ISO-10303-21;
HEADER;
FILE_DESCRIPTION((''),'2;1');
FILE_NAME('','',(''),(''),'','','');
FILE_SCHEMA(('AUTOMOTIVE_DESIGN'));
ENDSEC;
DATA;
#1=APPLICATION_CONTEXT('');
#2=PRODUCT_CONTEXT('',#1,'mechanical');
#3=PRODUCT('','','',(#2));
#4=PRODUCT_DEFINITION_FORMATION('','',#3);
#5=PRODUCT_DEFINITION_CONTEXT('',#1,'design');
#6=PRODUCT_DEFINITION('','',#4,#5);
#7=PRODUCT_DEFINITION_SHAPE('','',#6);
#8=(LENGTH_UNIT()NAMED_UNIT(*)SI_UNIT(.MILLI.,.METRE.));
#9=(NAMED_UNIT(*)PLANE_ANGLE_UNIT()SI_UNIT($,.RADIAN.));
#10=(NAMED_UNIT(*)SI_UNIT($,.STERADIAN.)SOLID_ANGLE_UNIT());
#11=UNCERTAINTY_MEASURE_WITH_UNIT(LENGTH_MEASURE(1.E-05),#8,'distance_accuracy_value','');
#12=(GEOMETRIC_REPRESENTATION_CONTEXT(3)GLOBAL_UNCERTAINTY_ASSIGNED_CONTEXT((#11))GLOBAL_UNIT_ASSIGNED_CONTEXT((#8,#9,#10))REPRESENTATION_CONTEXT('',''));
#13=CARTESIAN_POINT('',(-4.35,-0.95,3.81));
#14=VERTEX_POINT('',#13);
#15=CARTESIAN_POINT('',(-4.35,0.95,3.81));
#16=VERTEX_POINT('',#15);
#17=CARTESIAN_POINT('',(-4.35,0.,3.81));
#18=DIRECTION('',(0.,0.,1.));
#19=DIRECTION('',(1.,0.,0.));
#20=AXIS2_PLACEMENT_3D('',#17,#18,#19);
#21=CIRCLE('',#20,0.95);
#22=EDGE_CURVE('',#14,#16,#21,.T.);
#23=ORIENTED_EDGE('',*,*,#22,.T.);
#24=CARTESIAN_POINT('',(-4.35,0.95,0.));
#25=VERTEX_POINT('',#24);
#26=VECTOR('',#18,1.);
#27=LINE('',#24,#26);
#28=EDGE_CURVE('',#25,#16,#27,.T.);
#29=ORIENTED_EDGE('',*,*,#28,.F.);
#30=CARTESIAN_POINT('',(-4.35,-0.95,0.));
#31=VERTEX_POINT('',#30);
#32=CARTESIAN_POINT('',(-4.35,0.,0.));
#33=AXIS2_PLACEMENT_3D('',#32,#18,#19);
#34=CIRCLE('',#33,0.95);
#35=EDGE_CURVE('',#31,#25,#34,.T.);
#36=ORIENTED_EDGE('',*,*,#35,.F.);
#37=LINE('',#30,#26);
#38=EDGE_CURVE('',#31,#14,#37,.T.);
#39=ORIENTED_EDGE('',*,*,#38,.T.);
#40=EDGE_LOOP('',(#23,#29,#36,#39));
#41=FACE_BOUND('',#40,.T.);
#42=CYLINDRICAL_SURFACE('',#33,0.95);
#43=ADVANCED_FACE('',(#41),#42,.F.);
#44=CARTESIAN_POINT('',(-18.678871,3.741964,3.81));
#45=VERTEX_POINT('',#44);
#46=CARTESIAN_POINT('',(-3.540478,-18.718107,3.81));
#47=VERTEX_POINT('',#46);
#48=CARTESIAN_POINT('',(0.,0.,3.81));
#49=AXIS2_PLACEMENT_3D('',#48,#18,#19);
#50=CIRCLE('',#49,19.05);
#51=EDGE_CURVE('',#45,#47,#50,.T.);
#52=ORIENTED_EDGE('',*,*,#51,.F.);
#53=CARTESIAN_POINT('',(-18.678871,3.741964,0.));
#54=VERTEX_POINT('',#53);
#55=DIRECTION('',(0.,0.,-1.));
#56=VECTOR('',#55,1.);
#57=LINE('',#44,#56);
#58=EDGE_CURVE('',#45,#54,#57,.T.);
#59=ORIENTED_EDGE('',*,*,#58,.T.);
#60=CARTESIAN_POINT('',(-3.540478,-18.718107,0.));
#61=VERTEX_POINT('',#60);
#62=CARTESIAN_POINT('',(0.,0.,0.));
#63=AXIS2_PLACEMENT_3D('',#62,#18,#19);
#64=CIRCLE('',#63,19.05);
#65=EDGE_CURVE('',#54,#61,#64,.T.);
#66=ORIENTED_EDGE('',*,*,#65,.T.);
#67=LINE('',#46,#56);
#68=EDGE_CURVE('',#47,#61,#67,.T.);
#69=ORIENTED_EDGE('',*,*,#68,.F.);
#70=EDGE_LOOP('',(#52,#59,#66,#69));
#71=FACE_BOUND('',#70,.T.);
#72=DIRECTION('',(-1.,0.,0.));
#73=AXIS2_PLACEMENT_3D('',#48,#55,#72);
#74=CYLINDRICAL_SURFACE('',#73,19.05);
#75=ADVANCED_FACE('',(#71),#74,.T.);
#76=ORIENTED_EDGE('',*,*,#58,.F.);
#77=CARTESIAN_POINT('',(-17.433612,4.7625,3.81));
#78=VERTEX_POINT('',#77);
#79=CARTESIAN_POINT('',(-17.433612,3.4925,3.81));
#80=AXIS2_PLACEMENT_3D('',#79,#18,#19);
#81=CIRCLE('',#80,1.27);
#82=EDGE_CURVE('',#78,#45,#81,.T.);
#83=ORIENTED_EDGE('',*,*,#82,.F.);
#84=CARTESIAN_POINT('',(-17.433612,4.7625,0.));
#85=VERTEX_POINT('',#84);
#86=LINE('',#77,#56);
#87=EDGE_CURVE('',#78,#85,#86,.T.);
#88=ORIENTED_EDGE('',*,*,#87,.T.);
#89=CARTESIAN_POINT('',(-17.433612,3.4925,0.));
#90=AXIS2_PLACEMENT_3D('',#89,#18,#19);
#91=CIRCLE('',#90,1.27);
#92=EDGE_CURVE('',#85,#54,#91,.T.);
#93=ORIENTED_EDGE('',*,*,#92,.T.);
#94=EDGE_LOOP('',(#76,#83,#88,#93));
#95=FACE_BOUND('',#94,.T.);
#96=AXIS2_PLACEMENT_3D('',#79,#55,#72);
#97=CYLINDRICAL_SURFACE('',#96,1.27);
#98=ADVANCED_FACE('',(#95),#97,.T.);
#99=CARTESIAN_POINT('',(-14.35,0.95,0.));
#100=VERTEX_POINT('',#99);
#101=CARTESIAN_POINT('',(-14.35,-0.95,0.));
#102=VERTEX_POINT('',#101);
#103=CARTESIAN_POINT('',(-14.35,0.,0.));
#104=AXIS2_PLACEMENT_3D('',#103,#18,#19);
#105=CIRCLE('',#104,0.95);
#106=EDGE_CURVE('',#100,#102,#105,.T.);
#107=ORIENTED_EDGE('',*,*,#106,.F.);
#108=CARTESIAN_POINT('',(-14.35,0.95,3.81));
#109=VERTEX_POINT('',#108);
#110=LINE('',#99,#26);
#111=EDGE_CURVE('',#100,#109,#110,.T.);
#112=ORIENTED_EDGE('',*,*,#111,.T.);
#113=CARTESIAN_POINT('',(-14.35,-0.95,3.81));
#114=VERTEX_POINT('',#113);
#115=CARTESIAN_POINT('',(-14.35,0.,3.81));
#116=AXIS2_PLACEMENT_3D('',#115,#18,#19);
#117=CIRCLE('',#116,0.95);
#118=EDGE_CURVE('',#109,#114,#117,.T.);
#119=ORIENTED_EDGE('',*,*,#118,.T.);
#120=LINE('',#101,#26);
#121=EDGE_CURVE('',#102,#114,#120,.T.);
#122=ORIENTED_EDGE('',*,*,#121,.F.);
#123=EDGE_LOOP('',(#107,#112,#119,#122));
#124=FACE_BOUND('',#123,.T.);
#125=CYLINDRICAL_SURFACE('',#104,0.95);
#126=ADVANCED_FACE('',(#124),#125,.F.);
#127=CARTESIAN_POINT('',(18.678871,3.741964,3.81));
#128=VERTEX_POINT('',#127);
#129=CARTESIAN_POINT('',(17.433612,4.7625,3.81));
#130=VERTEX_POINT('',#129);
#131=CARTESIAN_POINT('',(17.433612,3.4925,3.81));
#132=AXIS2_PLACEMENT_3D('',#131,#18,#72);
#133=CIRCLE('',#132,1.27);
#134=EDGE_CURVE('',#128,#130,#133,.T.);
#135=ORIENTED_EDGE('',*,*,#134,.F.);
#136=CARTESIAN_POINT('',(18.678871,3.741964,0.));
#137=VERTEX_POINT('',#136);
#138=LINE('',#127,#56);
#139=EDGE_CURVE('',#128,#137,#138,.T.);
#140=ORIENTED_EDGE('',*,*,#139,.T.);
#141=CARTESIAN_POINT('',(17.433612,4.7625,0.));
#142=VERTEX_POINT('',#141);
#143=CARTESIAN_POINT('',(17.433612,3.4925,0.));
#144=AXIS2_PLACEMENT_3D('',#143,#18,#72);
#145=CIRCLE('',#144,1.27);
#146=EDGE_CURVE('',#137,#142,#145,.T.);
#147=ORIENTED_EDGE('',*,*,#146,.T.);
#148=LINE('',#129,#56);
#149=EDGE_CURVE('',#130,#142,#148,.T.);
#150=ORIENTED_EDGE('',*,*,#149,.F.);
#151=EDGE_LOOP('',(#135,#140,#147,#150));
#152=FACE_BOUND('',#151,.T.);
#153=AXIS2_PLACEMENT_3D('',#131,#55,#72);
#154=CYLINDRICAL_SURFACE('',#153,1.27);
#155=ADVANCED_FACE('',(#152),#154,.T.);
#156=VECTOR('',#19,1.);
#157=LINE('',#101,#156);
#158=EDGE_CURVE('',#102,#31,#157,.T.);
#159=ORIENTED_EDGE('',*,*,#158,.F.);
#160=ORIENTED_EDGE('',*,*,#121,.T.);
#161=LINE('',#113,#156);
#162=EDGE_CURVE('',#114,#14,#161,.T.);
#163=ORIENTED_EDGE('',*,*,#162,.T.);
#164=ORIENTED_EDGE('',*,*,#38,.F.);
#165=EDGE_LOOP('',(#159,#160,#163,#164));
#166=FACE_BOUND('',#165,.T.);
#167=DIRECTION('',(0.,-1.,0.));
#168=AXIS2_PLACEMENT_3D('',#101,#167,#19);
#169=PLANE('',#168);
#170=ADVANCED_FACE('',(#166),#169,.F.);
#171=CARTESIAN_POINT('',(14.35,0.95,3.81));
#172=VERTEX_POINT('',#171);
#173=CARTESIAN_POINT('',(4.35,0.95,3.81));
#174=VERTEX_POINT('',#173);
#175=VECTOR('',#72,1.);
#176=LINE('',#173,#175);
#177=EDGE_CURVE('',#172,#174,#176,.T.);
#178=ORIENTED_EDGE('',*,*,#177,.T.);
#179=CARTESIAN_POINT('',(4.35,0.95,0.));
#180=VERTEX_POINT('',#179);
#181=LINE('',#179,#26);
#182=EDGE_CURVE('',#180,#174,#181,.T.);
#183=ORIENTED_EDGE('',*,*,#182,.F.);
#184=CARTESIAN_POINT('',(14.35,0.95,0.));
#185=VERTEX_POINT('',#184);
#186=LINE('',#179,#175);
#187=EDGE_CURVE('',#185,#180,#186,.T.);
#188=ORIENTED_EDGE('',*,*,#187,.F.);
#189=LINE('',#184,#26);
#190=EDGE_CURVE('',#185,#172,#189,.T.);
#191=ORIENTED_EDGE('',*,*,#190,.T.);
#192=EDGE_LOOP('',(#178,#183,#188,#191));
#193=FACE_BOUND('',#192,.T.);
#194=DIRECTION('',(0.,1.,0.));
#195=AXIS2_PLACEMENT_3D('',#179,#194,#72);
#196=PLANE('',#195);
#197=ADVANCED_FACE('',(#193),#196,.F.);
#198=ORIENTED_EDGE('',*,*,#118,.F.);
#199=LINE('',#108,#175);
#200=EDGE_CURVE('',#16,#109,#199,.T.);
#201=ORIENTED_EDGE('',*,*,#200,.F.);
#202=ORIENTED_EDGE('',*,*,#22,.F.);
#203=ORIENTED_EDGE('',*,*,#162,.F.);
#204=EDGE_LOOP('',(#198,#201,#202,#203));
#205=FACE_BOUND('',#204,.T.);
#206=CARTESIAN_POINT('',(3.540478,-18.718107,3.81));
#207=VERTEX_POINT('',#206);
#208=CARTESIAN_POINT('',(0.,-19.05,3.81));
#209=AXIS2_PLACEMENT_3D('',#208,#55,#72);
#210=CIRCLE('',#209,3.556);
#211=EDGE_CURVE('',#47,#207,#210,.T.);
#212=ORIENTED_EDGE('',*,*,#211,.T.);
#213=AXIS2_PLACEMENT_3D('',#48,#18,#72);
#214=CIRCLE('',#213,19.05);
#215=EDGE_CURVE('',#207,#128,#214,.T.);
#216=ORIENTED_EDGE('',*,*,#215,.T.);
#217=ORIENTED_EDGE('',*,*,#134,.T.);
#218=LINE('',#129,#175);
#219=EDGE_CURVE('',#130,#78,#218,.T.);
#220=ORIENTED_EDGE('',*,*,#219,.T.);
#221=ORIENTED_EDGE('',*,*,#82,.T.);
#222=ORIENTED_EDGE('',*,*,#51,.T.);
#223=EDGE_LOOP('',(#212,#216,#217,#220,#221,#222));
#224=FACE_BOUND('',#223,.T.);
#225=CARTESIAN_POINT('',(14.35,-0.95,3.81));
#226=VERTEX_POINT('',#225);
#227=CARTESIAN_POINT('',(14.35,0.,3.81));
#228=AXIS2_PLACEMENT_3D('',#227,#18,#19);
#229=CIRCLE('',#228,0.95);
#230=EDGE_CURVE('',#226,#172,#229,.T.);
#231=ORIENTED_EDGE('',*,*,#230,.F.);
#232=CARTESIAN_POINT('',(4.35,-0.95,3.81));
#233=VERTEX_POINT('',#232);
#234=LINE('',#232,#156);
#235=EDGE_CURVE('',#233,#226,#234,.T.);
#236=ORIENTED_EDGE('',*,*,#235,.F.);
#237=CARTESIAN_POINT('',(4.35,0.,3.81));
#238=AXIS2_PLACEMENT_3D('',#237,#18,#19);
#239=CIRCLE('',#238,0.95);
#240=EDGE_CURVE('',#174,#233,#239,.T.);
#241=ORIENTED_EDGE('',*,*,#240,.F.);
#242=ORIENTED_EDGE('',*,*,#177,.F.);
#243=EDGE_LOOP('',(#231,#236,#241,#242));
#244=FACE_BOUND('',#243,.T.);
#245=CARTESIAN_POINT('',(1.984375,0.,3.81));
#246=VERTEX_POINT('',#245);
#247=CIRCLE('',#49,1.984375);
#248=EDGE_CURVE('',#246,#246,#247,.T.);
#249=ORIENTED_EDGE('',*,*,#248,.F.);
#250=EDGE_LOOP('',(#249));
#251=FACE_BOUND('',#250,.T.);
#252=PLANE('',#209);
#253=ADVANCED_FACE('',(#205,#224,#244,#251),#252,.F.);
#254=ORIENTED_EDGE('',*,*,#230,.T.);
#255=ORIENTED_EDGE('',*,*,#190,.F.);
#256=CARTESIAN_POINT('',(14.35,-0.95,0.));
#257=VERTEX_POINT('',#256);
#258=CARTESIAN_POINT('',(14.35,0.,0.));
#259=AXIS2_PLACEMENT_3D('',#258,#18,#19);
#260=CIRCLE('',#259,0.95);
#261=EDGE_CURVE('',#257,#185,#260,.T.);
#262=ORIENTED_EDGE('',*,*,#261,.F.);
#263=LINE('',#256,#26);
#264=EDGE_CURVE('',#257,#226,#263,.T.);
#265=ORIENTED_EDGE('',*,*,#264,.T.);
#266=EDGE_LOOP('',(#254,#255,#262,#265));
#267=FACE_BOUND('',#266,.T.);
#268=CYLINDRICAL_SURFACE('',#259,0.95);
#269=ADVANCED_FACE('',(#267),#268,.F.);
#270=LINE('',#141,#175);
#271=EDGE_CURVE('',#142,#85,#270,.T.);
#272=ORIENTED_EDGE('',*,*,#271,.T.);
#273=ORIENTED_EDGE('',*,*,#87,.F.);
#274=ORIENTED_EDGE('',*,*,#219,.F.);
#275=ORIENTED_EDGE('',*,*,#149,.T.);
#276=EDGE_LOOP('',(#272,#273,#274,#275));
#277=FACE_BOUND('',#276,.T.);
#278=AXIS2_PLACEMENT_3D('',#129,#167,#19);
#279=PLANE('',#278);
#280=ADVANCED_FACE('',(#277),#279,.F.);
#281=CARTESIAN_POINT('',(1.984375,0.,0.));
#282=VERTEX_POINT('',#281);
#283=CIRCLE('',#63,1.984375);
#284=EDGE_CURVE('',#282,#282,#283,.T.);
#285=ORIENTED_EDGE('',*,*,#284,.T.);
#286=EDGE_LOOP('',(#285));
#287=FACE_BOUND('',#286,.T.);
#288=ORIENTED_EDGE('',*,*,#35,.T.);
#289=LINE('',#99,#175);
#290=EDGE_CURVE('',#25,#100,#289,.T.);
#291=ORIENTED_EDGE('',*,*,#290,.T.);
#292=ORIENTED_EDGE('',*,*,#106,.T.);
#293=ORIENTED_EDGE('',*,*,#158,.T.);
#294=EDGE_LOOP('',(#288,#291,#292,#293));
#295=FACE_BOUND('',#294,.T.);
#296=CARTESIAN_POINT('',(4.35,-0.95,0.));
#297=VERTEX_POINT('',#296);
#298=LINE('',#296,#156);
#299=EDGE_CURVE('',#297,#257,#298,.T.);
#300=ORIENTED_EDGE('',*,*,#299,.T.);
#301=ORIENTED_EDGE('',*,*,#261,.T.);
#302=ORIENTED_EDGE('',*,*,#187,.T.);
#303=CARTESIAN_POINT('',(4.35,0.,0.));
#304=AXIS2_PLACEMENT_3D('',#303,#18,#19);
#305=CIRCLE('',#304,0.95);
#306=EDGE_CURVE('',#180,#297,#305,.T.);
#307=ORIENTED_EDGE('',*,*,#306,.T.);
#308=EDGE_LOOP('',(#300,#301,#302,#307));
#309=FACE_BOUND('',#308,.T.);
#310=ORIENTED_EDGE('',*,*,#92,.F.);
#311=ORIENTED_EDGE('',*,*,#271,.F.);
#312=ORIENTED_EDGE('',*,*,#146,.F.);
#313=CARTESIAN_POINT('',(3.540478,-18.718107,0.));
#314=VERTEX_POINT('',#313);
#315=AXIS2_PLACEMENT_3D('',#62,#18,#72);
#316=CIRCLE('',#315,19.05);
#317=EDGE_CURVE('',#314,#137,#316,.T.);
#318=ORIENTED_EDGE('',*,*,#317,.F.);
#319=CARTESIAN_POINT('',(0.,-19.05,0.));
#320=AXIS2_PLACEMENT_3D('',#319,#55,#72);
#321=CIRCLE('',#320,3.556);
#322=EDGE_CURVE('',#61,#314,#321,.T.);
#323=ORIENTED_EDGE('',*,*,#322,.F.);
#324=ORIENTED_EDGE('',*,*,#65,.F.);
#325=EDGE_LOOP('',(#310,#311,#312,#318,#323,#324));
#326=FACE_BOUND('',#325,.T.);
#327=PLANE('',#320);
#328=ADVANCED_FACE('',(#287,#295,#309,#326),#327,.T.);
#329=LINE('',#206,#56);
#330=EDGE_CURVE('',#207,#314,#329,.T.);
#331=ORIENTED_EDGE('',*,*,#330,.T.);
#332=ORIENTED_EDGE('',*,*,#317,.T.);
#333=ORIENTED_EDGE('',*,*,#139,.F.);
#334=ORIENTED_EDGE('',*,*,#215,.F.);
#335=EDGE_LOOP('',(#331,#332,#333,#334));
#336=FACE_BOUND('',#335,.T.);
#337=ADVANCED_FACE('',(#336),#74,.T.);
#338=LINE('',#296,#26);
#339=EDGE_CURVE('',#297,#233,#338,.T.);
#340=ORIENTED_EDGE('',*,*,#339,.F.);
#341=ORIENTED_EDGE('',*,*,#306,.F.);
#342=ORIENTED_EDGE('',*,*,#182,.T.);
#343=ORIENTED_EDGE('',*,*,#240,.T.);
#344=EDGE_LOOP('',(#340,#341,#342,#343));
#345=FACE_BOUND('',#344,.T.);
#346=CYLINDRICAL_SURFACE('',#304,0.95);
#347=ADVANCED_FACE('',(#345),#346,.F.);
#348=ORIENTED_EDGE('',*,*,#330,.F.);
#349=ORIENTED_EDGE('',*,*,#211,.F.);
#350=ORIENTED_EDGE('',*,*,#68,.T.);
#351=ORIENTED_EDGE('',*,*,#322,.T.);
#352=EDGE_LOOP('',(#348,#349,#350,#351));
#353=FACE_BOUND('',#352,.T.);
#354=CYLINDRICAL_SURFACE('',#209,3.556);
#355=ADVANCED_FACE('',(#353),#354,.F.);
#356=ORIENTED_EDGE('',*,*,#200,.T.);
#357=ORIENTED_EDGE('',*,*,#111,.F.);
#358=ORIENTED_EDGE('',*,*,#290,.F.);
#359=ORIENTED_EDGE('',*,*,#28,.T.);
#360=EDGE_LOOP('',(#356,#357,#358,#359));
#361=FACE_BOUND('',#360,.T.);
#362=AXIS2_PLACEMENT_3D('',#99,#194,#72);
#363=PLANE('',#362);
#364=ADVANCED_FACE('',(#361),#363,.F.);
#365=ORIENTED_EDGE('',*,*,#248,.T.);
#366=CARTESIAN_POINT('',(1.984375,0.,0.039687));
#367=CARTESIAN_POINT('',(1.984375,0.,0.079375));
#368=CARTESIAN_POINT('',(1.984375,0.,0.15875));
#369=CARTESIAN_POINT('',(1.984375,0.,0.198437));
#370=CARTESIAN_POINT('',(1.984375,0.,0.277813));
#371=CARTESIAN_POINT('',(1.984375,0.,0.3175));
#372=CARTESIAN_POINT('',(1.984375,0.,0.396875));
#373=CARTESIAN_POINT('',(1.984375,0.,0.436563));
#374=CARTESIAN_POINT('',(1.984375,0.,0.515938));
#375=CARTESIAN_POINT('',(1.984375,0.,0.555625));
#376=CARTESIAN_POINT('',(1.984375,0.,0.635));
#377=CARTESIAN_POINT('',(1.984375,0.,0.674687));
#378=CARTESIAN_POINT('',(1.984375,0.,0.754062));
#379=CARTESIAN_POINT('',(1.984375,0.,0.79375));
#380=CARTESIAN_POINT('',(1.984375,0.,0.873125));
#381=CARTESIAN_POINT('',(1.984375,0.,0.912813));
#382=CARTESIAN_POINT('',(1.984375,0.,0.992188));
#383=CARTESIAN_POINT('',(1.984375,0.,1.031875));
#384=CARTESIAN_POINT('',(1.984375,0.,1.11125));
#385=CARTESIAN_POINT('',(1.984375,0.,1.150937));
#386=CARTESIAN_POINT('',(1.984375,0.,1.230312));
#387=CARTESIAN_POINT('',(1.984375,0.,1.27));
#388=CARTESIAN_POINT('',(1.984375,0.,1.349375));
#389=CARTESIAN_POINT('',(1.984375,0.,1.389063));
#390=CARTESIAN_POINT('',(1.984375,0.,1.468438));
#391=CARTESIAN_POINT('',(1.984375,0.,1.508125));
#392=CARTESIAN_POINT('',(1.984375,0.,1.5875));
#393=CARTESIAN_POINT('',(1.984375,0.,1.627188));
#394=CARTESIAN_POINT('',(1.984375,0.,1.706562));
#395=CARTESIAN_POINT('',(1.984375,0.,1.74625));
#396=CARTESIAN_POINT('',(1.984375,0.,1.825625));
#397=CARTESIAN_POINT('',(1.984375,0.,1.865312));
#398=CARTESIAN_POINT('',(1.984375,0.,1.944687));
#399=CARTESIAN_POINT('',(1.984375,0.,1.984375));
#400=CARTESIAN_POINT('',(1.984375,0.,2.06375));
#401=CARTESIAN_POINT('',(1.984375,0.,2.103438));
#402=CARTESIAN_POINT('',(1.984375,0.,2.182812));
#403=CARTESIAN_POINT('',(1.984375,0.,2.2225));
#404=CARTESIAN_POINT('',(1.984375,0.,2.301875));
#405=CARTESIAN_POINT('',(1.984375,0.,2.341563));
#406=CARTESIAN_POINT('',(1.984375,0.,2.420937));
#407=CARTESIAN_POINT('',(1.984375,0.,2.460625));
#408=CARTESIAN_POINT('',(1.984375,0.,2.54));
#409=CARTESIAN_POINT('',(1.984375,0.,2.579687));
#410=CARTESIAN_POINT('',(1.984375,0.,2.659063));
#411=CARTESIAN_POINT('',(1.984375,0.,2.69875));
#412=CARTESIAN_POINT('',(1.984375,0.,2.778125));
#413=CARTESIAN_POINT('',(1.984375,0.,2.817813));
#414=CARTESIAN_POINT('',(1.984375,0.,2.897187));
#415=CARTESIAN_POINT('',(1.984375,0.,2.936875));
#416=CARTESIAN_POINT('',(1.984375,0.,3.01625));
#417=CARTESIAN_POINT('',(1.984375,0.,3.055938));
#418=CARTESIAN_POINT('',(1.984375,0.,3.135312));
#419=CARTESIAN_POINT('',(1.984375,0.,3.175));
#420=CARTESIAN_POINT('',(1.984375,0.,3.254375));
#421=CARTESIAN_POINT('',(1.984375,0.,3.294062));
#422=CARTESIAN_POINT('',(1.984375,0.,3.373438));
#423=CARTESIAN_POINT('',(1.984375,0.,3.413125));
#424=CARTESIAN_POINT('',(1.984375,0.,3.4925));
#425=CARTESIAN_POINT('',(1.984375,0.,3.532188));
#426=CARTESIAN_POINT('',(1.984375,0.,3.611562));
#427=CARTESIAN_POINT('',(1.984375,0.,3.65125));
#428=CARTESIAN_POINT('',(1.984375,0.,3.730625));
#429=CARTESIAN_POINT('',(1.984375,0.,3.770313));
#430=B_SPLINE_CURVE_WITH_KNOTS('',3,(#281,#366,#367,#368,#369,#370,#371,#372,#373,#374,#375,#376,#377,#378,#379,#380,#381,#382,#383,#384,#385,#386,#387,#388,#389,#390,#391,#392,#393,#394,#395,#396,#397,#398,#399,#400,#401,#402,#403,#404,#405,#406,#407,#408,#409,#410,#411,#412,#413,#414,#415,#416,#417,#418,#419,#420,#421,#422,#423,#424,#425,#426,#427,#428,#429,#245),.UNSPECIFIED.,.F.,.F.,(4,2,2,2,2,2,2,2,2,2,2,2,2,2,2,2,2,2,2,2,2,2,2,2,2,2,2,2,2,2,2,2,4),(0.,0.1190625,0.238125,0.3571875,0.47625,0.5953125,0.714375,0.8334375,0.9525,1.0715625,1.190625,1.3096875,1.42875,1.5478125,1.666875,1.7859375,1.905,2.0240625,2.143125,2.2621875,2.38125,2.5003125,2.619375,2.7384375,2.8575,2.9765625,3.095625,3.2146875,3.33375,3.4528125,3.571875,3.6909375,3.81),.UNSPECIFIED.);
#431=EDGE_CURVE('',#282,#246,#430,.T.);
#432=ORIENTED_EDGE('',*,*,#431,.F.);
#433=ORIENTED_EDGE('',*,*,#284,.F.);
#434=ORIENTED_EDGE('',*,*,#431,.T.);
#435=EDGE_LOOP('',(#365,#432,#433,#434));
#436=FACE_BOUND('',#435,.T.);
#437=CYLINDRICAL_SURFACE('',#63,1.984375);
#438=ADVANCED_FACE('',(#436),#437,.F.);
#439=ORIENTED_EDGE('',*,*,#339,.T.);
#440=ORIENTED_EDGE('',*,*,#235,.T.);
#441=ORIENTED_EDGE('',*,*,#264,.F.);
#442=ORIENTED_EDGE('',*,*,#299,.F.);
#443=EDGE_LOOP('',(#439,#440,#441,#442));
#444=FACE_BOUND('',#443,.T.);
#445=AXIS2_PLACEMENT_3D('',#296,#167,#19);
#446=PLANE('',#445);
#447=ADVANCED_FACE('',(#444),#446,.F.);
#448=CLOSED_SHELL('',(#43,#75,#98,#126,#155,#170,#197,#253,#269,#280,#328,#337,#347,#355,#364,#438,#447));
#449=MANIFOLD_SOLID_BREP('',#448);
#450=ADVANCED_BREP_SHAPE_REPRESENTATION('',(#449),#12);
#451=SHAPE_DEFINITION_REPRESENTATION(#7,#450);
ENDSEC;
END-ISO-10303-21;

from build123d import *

# Parameters (mm, degrees)
BOSS_EXTRUDE1_DEPTH = 3.81
SKETCH4_R           = 1.984375
CUT_EXTRUDE2_DEPTH  = 27.977511323


with BuildPart() as part:
    # Sketch1 → Boss-Extrude1 (new body)
    with BuildSketch(Plane.XY):
        with BuildLine():
            Line((17.43361247, 4.7625), (-17.43361247, 4.7625))
            ThreePointArc((-17.43361247, 4.7625), (-18.238621898, 4.474772784), (-18.678870503, 3.741964286))
            ThreePointArc((-18.678870503, 3.741964286), (-15.796789426, -10.647250529), (-3.540477767, -18.718106667))
            ThreePointArc((-3.540477767, -18.718106667), (0, -15.494), (3.540477767, -18.718106667))
            ThreePointArc((3.540477767, -18.718106667), (15.796789426, -10.647250529), (18.678870503, 3.741964286))
            ThreePointArc((18.678870503, 3.741964286), (18.238621898, 4.474772784), (17.43361247, 4.7625))
        make_face()
    extrude(amount=BOSS_EXTRUDE1_DEPTH)

    # Sketch4 → Cut-Extrude2 (cut, through all)
    with BuildSketch(Plane.XY.offset(3.81)):
        Circle(SKETCH4_R)
        with BuildLine():
            Line((-14.350000002, 0.95), (-4.35, 0.95))
            ThreePointArc((-4.35, 0.95), (-3.4, 0), (-4.35, -0.95))
            Line((-4.35, -0.95), (-14.350000002, -0.95))
            ThreePointArc((-14.350000002, -0.95), (-15.300000002, 0), (-14.350000002, 0.95))
        make_face()
        with BuildLine():
            Line((4.35, 0.95), (14.350000002, 0.95))
            ThreePointArc((14.350000002, 0.95), (15.300000002, 0), (14.350000002, -0.95))
            Line((14.350000002, -0.95), (4.35, -0.95))
            ThreePointArc((4.35, -0.95), (3.4, 0), (4.35, 0.95))
        make_face()
    extrude(amount=-CUT_EXTRUDE2_DEPTH, mode=Mode.SUBTRACT)


solid = part.part
